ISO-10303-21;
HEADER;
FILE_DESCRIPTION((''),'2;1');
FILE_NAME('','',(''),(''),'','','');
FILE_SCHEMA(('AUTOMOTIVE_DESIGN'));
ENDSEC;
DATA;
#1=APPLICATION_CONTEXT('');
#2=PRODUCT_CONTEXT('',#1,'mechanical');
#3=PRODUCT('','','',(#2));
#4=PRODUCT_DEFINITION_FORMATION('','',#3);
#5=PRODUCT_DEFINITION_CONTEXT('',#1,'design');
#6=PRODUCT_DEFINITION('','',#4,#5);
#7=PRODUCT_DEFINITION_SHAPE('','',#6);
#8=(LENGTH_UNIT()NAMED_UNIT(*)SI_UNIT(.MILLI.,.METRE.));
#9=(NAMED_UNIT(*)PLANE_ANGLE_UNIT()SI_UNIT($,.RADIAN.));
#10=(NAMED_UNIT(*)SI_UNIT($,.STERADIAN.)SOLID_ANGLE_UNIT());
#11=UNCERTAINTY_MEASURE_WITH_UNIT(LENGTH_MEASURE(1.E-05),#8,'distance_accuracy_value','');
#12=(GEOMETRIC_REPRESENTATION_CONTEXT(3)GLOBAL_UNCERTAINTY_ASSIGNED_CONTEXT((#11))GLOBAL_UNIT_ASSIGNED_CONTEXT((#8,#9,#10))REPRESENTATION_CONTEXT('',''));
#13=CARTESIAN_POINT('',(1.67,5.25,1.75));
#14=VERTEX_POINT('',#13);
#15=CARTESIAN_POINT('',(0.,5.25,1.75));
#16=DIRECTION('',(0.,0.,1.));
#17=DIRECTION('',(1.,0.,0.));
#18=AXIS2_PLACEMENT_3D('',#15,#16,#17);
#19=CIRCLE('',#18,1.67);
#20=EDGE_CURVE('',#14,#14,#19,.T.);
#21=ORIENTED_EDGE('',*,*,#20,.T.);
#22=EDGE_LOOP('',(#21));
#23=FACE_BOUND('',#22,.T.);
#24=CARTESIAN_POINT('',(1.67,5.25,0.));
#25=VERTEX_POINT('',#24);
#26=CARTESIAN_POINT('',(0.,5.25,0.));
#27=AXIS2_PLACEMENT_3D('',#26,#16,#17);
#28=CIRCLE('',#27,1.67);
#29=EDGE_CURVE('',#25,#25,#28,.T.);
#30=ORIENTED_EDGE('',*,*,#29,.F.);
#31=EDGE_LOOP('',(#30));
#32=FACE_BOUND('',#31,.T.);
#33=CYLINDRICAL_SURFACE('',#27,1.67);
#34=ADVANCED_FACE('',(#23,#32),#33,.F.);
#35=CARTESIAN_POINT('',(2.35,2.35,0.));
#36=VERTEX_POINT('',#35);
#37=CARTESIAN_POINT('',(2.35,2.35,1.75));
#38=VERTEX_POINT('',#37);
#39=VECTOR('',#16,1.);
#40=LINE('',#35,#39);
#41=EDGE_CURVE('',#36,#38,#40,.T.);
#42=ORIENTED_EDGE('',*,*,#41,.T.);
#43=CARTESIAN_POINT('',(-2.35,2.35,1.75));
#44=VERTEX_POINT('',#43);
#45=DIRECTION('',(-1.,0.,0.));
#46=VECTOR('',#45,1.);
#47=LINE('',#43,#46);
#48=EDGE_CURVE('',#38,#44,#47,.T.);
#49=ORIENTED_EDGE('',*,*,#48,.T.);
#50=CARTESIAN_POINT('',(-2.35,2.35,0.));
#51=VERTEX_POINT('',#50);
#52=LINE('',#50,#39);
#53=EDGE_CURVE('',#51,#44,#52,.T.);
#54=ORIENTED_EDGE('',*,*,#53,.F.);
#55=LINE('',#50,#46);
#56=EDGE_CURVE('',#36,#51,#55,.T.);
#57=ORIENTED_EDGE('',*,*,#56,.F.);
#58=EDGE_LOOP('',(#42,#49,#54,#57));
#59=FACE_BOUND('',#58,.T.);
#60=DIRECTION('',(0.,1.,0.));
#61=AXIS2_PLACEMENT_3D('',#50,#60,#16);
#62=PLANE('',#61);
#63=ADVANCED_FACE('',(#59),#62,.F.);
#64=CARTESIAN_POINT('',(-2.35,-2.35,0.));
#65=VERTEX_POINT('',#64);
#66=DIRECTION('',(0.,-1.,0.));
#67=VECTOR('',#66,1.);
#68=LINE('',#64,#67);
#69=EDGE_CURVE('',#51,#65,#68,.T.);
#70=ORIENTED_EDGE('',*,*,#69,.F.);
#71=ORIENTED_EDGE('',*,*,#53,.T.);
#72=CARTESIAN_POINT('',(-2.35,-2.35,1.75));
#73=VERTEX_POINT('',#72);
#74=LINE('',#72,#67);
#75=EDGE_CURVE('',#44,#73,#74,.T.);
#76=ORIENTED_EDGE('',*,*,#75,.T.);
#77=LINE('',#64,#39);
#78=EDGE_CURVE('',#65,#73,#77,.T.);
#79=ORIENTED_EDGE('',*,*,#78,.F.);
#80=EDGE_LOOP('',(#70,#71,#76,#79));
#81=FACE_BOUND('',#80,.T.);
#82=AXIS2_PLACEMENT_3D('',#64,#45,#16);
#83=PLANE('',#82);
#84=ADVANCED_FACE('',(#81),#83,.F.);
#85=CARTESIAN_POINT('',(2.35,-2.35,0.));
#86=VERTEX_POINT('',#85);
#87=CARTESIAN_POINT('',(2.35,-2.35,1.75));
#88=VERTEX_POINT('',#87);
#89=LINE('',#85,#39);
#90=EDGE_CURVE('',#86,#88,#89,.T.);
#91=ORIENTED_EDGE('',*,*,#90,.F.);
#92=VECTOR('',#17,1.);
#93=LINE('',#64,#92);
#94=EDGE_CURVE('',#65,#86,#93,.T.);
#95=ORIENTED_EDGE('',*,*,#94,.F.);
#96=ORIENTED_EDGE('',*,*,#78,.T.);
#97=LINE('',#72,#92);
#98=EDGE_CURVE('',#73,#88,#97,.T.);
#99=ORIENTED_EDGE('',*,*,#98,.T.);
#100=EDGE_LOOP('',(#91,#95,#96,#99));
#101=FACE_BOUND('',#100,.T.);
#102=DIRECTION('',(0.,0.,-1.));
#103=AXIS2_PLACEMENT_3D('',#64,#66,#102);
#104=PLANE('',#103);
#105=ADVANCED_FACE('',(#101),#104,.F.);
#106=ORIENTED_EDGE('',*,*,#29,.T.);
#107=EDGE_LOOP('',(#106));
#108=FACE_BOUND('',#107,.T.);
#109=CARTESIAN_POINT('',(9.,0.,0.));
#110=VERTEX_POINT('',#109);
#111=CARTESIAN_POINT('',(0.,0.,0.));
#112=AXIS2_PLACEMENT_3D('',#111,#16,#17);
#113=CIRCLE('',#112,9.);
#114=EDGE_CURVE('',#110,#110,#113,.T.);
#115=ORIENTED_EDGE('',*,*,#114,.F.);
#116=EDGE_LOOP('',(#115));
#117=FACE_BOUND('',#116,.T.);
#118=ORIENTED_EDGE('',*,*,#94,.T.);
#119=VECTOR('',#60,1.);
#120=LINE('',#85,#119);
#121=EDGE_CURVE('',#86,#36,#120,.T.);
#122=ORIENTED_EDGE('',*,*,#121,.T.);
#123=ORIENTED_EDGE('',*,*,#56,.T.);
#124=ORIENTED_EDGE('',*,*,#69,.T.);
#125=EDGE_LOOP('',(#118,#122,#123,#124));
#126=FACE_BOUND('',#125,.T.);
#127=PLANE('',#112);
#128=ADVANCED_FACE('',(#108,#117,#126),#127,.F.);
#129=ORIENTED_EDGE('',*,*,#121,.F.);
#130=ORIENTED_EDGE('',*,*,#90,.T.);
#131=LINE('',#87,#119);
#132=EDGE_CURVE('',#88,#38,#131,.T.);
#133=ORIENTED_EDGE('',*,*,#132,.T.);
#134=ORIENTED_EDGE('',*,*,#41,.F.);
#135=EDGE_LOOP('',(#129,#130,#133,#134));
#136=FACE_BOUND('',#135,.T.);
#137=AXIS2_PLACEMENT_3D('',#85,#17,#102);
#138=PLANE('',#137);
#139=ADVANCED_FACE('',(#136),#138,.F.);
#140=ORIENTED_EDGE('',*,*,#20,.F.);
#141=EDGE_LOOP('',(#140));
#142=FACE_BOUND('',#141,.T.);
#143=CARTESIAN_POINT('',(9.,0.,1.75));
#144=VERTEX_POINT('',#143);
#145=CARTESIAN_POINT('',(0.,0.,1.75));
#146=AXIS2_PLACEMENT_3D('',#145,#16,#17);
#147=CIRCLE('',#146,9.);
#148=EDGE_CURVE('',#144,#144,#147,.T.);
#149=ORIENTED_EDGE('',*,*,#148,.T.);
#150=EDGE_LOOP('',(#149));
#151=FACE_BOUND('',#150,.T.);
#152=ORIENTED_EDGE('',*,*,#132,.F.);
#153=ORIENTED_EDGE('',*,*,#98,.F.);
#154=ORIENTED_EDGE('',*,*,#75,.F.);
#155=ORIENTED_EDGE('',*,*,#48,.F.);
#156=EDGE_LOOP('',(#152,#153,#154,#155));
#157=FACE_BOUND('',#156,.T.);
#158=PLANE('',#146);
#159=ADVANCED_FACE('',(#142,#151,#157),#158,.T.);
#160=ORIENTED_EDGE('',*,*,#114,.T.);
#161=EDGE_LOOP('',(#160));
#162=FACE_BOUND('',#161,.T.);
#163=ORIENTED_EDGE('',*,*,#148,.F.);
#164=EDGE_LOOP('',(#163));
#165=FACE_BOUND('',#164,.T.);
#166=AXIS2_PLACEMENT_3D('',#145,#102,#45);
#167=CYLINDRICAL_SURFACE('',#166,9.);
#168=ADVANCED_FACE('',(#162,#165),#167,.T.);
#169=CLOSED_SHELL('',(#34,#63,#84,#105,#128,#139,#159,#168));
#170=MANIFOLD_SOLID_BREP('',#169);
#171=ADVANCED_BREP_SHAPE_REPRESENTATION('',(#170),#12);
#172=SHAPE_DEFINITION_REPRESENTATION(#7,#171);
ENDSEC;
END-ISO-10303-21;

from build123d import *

# Parameters (mm, degrees)
SKETCH1_R           = 9
BOSS_EXTRUDE1_DEPTH = 1.75
SKETCH2_R           = 1.67
SKETCH2_W           = 4.7
SKETCH2_H           = 4.7
CUT_EXTRUDE1_DEPTH  = 2.75


with BuildPart() as part:
    # Sketch1 → Boss-Extrude1 (new body)
    with BuildSketch(Plane.XY):
        Circle(SKETCH1_R)
    extrude(amount=BOSS_EXTRUDE1_DEPTH)

    # Sketch2 → Cut-Extrude1 (cut, through all)
    with BuildSketch(Plane.XY.offset(1.75)):
        with Locations((0, 5.25)):
            Circle(SKETCH2_R)
        Rectangle(SKETCH2_W, SKETCH2_H)
    extrude(amount=-CUT_EXTRUDE1_DEPTH, mode=Mode.SUBTRACT)


solid = part.part
